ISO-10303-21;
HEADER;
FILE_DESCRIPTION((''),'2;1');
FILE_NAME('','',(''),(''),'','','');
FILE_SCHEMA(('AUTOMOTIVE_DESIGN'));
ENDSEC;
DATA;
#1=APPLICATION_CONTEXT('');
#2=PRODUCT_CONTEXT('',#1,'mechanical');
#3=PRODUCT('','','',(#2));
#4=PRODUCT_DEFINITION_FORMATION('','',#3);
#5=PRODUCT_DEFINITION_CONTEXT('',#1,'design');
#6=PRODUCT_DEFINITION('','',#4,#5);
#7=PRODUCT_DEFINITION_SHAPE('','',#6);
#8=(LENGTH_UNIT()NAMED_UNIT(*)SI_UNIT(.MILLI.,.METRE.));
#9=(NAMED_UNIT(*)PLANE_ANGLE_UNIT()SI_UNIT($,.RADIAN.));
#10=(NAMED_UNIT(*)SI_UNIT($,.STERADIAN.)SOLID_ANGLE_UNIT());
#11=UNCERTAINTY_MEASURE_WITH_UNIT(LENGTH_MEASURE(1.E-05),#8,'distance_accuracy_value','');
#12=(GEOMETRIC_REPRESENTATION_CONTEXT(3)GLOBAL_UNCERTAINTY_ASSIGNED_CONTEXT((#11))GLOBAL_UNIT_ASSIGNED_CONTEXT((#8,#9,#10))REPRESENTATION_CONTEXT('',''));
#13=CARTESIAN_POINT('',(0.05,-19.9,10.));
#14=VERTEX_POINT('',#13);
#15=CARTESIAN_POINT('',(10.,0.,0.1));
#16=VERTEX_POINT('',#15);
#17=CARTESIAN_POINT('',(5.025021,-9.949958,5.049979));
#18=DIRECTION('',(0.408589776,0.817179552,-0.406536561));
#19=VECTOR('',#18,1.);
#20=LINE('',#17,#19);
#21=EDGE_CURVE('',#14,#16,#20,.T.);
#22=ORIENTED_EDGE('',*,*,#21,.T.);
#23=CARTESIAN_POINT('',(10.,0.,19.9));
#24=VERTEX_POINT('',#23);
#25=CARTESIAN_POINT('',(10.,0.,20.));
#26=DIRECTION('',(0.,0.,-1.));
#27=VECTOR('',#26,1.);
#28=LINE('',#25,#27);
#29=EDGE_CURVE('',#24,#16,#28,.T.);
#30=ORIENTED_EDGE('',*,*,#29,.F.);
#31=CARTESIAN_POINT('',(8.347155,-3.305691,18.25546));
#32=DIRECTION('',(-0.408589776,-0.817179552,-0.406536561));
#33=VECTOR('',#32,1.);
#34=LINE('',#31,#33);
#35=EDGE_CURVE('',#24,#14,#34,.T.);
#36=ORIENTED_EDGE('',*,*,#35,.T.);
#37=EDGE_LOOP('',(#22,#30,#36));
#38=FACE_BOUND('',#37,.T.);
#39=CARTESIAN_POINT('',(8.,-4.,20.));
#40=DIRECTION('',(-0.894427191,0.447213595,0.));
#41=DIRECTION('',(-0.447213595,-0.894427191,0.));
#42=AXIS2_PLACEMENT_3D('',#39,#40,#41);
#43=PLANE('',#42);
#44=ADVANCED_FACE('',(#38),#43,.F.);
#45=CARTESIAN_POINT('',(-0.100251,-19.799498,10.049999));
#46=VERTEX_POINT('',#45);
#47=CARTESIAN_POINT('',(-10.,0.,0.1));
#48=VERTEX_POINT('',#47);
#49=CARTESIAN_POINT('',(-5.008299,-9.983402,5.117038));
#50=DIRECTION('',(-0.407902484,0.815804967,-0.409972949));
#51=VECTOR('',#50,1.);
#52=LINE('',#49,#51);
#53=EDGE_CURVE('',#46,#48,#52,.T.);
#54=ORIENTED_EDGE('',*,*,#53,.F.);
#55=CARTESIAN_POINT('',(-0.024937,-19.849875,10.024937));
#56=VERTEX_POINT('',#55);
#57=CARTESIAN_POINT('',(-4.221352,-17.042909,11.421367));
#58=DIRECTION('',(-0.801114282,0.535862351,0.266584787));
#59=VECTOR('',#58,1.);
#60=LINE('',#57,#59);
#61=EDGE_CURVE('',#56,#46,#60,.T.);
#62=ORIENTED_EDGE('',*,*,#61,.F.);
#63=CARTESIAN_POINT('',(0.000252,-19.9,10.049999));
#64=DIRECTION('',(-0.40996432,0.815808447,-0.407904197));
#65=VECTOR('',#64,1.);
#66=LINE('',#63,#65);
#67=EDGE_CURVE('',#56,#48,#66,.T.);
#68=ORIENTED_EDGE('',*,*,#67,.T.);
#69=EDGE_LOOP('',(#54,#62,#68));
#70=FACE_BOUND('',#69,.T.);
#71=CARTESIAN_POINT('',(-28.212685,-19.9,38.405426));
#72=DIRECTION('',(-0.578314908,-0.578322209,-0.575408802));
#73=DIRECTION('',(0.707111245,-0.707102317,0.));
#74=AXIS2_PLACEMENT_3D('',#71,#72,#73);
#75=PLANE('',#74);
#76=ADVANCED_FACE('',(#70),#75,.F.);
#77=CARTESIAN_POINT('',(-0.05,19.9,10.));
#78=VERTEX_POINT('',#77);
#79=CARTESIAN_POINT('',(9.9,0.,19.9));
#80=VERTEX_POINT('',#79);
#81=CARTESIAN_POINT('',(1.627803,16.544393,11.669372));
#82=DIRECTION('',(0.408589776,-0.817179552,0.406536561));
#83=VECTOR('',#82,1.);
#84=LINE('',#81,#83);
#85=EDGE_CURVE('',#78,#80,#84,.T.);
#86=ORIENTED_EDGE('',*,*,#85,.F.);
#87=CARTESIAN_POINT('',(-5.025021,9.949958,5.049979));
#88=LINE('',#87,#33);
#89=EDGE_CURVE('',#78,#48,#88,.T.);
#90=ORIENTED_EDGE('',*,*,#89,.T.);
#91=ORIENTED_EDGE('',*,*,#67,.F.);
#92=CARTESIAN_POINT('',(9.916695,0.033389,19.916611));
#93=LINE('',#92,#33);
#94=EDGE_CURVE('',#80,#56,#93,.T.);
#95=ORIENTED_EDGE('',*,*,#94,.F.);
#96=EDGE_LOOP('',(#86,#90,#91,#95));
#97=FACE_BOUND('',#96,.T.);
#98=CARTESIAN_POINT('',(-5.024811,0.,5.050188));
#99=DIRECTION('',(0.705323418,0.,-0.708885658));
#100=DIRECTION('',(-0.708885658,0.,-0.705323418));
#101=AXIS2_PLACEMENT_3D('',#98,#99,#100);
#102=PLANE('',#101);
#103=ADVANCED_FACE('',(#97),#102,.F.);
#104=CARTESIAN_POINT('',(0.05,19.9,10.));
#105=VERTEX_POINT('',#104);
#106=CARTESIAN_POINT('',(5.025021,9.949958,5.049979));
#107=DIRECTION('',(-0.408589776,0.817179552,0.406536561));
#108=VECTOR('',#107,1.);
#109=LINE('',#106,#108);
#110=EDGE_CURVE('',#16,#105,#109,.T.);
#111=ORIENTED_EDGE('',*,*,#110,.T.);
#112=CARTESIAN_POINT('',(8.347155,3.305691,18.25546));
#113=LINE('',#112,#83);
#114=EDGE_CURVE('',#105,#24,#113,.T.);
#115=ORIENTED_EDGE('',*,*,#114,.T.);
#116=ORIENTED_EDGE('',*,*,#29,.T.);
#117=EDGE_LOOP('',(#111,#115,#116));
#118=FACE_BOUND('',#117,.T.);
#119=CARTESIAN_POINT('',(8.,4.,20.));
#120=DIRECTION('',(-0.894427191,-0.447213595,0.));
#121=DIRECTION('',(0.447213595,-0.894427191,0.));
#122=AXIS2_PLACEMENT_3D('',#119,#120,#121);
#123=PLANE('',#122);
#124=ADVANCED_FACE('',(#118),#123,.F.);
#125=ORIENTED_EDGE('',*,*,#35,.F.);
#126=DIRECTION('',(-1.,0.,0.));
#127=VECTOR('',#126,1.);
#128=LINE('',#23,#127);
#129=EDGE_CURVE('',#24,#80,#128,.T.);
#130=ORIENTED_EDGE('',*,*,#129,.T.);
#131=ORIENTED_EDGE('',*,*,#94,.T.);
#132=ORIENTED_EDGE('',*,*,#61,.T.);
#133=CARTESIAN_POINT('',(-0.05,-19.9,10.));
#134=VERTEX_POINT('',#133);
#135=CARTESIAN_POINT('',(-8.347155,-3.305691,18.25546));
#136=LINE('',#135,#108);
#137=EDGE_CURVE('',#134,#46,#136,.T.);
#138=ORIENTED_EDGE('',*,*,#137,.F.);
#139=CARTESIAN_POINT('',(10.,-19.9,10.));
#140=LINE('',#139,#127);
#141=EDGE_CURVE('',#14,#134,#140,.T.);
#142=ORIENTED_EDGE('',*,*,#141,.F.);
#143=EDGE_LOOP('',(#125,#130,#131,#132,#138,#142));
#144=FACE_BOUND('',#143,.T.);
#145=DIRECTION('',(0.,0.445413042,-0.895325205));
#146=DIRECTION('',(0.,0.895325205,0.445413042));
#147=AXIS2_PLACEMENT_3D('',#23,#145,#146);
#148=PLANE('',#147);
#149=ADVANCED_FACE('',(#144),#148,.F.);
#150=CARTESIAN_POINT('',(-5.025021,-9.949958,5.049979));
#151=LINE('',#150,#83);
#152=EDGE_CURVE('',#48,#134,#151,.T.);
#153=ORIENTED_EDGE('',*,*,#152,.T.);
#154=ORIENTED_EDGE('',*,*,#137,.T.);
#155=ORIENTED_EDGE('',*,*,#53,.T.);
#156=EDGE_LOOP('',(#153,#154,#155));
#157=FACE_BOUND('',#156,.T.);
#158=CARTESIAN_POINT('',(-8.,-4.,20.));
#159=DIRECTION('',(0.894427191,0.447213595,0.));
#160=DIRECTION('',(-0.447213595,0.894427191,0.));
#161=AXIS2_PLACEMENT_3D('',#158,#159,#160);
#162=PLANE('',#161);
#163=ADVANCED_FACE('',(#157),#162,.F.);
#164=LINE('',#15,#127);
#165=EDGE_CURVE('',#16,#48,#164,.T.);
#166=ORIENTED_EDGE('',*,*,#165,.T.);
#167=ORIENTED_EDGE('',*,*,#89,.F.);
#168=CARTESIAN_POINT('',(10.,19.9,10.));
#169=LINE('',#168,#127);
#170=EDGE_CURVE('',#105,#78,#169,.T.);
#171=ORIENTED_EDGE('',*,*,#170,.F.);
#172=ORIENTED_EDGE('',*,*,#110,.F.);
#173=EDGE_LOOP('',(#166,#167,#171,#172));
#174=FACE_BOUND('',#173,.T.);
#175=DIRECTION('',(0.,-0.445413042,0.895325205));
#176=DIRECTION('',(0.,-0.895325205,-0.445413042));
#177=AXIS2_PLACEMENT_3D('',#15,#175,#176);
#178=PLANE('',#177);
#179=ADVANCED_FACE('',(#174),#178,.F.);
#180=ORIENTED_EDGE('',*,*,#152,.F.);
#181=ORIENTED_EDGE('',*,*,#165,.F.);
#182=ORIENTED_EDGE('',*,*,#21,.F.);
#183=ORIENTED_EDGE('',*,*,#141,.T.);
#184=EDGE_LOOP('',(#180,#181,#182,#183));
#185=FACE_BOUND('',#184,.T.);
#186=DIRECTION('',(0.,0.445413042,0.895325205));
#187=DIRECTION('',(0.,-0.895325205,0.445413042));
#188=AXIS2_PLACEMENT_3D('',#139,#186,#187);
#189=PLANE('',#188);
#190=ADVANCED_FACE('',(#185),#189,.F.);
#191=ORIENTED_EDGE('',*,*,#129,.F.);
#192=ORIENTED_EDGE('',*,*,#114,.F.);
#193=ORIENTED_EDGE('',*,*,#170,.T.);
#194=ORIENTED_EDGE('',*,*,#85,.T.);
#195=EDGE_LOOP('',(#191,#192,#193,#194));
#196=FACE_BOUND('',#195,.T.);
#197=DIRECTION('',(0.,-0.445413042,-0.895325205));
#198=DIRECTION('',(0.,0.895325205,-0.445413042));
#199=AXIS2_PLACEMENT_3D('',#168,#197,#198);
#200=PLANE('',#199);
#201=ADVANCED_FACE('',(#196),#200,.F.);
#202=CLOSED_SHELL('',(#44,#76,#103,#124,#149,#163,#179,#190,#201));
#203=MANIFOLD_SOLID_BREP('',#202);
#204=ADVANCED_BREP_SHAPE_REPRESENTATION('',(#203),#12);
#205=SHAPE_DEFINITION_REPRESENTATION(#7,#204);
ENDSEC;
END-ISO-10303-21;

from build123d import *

# Parameters (mm, degrees)
DODANIE_WYCI_GNI_CIE1_DEPTH     = 20
WYTNIJ_WYCI_GNI_CIE2_DEPTH      = 10
WYTNIJ_WYCI_GNI_CIE2_DEPTH_BACK = 10
WYTNIJ_WYCI_GNI_CIE3_DEPTH      = 40


with BuildPart() as part:
    # Szkic2 → Dodanie-wyciągnięcie1 (new body)
    with BuildSketch(Plane.XY):
        Polygon((10, 0), (0, 20), (-10, 0), (0, -20), align=None)
    extrude(amount=DODANIE_WYCI_GNI_CIE1_DEPTH)

    # Szkic6 → Wytnij-wyciągnięcie2 (cut, two sides: drawn at the far end of the back side and taken through both)
    with BuildSketch(Plane(origin=(0, 0, 0), x_dir=(0, 0, -1), z_dir=(1, 0, 0)).offset(-WYTNIJ_WYCI_GNI_CIE2_DEPTH_BACK)):
        Polygon((-20, 0), (-20, 20), (0, 20), (0, -20), (-20, -20), align=None)
        Polygon((-10, 19.9), (-19.9, 0), (-10, -19.9), (-0.1, 0), align=None, mode=Mode.SUBTRACT)
    extrude(amount=WYTNIJ_WYCI_GNI_CIE2_DEPTH + WYTNIJ_WYCI_GNI_CIE2_DEPTH_BACK, mode=Mode.SUBTRACT)

    # Szkic7 → Wytnij-wyciągnięcie3 (cut)
    with BuildSketch(Plane(origin=(-5.024810608, 0, 5.05018844), x_dir=(-0.708885657709236, 0, -0.7053234182232602), z_dir=(0.7053234182232602, 0, -0.708885657709236))):
        Polygon((7.018324235, 0), (-7.017789899, 19.9), (-21.1247926, 0), (-7.088678465, -19.9), align=None)
    extrude(amount=-WYTNIJ_WYCI_GNI_CIE3_DEPTH, mode=Mode.SUBTRACT)


solid = part.part
